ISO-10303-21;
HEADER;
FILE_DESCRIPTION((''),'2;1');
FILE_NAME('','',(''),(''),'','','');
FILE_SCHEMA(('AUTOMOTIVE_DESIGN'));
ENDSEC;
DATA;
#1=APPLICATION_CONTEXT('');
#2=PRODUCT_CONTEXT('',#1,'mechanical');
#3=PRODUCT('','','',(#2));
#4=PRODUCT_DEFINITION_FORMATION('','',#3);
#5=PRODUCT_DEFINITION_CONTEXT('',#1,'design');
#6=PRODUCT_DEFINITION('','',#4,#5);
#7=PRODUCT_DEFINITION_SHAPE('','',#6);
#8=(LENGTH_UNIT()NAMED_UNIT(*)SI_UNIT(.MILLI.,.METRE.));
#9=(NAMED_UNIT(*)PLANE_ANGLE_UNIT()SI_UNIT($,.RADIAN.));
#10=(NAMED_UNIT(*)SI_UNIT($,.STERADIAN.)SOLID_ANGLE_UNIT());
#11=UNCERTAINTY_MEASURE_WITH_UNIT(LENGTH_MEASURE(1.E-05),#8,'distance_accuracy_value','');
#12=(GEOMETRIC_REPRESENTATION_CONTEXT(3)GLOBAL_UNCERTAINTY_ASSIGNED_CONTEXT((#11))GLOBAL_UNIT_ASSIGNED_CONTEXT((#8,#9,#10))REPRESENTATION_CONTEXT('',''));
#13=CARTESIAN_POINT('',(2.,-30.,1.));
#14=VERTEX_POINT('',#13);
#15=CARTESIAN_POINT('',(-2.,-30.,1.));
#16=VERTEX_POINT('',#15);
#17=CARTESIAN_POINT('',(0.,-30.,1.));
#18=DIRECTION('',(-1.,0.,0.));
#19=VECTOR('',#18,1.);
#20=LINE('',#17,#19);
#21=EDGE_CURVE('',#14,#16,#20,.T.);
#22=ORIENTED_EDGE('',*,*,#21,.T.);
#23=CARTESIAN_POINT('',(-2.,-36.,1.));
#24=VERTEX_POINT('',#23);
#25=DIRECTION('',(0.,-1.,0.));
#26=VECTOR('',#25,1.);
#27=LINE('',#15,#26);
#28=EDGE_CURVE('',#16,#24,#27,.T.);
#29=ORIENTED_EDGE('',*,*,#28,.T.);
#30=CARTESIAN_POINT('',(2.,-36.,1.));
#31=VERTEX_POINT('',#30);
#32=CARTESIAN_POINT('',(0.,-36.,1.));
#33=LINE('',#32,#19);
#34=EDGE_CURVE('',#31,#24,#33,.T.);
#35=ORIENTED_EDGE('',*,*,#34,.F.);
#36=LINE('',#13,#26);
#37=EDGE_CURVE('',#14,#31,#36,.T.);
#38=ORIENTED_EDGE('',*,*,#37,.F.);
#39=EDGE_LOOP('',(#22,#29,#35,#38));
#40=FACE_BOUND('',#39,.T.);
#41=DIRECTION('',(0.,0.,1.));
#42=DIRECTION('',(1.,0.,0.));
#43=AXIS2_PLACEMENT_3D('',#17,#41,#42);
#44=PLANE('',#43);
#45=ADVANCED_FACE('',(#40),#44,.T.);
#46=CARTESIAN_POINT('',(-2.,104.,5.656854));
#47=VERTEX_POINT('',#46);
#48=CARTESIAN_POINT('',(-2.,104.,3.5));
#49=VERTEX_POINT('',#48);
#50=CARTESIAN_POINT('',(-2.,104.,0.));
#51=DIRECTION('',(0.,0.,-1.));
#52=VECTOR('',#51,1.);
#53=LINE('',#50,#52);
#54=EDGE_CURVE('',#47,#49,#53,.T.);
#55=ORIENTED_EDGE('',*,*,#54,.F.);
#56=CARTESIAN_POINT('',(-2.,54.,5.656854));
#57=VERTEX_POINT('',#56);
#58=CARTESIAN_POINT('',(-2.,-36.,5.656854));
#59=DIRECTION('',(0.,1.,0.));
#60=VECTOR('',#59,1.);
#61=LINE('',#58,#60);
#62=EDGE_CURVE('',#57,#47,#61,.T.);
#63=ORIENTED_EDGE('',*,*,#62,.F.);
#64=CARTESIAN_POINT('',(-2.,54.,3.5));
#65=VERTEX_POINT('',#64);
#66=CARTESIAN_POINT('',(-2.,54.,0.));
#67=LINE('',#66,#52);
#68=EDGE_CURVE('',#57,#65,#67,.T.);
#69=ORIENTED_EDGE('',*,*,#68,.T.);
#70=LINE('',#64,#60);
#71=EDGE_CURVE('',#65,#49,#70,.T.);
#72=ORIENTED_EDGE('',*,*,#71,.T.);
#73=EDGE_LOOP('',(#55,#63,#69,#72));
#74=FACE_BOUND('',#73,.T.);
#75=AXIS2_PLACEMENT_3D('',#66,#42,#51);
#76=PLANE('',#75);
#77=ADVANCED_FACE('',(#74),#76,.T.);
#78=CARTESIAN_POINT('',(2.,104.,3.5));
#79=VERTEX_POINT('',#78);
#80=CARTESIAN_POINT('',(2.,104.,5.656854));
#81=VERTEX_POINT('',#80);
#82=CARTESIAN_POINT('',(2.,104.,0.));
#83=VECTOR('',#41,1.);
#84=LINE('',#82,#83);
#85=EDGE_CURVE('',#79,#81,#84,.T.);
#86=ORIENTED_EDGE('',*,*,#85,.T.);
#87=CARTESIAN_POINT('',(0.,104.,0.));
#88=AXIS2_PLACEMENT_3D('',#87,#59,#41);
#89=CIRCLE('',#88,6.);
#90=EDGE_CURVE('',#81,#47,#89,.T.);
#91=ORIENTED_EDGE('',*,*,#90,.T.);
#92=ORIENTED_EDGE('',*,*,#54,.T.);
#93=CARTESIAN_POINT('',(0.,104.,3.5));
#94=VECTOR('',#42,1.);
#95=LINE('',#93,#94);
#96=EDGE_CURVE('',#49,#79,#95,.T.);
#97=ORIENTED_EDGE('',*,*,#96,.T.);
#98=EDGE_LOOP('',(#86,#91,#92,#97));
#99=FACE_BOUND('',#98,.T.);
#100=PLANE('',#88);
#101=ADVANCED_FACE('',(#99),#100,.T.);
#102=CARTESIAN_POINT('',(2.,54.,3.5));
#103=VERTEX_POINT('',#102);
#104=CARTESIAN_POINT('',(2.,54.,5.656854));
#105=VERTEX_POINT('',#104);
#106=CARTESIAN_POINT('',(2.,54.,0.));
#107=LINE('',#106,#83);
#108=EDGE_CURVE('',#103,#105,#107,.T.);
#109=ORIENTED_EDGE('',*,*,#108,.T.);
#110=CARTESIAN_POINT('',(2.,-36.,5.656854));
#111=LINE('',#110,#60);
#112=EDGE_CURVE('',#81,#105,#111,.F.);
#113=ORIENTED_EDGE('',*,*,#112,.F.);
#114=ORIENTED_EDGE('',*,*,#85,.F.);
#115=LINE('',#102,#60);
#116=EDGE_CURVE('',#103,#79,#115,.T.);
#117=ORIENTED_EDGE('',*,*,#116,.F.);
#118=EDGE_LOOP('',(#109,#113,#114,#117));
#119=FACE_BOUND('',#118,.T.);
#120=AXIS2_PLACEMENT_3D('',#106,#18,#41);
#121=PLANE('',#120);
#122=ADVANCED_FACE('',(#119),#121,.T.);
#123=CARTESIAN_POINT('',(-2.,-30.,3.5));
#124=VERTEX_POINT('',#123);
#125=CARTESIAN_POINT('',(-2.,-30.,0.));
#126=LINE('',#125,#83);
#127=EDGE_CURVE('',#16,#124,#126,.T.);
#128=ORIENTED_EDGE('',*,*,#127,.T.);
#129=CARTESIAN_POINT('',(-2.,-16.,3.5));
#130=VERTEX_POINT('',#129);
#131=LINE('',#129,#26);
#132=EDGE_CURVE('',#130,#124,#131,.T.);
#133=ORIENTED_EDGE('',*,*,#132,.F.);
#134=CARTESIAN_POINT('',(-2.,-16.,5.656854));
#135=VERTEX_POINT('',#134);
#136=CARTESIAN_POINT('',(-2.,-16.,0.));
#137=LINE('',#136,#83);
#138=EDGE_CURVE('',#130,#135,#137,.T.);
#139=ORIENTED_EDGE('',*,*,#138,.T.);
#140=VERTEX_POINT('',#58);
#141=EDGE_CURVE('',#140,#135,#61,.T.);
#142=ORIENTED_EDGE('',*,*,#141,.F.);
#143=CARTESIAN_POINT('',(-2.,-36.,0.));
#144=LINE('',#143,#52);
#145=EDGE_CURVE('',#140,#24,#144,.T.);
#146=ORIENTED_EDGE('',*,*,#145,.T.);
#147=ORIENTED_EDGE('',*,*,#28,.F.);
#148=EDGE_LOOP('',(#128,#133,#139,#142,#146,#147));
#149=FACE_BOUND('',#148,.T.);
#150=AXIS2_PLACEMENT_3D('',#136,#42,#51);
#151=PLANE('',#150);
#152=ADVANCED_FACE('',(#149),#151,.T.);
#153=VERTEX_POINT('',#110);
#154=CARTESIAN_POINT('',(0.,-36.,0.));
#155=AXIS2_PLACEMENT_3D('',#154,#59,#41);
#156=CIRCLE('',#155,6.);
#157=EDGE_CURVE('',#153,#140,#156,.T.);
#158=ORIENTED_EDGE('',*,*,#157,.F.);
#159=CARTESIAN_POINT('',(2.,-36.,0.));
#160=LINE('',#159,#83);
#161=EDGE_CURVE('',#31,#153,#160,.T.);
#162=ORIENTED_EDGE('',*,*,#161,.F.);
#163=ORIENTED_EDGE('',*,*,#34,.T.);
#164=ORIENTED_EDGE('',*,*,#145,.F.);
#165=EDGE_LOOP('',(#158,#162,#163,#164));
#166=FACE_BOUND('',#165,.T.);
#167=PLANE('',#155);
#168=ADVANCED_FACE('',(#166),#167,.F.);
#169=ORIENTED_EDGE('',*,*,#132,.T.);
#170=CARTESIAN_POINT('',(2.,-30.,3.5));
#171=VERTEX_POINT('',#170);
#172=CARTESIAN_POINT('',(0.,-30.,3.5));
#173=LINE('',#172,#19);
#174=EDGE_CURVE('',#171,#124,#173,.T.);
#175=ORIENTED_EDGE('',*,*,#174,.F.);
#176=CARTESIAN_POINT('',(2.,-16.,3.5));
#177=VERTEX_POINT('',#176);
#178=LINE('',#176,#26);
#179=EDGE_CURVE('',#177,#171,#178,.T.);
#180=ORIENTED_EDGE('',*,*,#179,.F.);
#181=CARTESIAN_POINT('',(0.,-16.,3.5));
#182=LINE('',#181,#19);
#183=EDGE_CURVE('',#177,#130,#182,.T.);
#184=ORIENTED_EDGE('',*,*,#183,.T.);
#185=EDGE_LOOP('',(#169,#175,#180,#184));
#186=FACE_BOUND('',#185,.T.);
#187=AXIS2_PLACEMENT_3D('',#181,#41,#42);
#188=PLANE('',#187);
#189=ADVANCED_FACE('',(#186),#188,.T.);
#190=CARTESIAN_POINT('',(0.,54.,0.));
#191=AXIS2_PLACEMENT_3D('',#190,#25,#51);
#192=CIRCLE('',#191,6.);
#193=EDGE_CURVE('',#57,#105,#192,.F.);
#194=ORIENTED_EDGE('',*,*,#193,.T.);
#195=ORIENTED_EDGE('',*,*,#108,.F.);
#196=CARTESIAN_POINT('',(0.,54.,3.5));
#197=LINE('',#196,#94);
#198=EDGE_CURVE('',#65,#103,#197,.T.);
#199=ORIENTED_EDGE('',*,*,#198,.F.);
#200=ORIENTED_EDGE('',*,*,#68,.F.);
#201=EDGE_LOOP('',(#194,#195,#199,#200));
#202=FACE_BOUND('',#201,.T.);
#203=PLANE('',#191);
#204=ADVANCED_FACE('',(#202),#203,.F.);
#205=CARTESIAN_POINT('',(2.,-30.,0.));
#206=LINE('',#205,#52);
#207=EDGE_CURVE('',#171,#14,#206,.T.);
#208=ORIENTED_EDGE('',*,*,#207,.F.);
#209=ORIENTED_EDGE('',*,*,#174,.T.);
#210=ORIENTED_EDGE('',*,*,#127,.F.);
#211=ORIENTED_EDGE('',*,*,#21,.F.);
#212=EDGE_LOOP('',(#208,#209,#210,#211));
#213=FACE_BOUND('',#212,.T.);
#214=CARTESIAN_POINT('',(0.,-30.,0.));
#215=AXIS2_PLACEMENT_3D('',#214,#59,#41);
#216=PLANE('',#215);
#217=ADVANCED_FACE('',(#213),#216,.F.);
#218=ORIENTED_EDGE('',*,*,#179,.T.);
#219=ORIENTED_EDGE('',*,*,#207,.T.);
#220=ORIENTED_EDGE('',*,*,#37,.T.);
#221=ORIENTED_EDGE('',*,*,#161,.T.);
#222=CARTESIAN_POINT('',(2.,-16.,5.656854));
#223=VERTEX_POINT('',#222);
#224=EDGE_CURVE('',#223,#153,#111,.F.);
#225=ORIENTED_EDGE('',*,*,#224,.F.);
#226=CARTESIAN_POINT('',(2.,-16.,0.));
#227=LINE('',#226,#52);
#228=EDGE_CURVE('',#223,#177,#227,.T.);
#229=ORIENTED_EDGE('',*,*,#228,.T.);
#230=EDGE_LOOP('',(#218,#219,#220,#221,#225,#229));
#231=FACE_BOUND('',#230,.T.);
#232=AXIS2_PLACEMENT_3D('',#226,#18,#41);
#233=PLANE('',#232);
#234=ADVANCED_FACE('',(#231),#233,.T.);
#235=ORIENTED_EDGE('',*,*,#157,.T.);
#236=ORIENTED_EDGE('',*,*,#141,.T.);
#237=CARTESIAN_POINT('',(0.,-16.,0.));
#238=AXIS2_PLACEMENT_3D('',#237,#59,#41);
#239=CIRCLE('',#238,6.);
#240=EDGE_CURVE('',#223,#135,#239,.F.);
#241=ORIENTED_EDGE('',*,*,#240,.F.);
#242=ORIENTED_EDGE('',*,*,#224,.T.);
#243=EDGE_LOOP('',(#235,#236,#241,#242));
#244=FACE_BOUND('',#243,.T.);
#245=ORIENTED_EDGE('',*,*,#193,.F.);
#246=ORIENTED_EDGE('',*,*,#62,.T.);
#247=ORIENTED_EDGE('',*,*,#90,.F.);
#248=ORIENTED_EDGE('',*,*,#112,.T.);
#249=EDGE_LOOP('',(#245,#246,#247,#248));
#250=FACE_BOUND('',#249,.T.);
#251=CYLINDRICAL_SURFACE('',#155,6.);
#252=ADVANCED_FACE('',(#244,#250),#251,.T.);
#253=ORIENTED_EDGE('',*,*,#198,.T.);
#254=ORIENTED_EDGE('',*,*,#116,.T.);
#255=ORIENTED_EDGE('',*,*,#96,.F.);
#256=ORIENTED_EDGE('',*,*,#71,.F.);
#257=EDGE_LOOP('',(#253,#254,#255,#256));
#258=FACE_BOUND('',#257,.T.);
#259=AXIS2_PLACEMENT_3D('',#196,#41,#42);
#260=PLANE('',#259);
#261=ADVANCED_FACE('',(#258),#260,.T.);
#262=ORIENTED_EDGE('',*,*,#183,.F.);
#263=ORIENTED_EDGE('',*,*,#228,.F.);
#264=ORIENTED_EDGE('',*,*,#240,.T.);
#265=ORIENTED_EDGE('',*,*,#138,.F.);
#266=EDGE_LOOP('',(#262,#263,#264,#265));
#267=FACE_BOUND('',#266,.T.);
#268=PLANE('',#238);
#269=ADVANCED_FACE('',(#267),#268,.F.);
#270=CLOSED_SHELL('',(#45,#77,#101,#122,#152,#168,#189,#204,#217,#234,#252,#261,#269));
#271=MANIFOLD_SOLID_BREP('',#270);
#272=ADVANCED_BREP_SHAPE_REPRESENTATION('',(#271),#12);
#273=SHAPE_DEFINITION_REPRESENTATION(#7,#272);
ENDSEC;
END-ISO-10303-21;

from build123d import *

# Parameters (mm, degrees)
SKETCH1_R                = 6
BOSS_EXTRUDE1_DEPTH      = 104
BOSS_EXTRUDE1_DEPTH_BACK = 36
CUT_EXTRUDE3_START       = -36
SKETCH2_W                = 4
SKETCH2_H                = 5
CUT_EXTRUDE3_DEPTH       = 20
CUT_EXTRUDE3_DEPTH_BACK  = 0.0001
CUT_EXTRUDE4_START       = 104
SKETCH2_2_W              = 4
SKETCH2_2_H              = 5
CUT_EXTRUDE4_DEPTH       = 50
CUT_EXTRUDE6_START       = -36
SKETCH3_W                = 4
SKETCH3_H                = 10
CUT_EXTRUDE6_DEPTH       = 6


with BuildPart() as part:
    # Sketch1 → Boss-Extrude1 (new body, two sides)
    with BuildSketch(Plane(origin=(0, 0, 0), x_dir=(1, 0, 0), z_dir=(0, 1, 0))) as boss_extrude1_sk:
        Circle(SKETCH1_R)
    extrude(amount=BOSS_EXTRUDE1_DEPTH)
    extrude(boss_extrude1_sk.sketch, amount=-BOSS_EXTRUDE1_DEPTH_BACK)

    # Sketch2 → Cut-Extrude3 (cut, two sides)
    with BuildSketch(Plane(origin=(0, 0, 0), x_dir=(1, 0, 0), z_dir=(0, 1, 0)).offset(CUT_EXTRUDE3_START)) as cut_extrude3_sk:
        with Locations((0, -6)):
            Rectangle(SKETCH2_W, SKETCH2_H)
    extrude(amount=CUT_EXTRUDE3_DEPTH, mode=Mode.SUBTRACT)
    extrude(cut_extrude3_sk.sketch, amount=-CUT_EXTRUDE3_DEPTH_BACK, mode=Mode.SUBTRACT)

    # Sketch2<2> → Cut-Extrude4 (cut)
    with BuildSketch(Plane(origin=(0, 0, 0), x_dir=(1, 0, 0), z_dir=(0, 1, 0)).offset(CUT_EXTRUDE4_START)):
        with Locations((0, -6)):
            Rectangle(SKETCH2_2_W, SKETCH2_2_H)
    extrude(amount=-CUT_EXTRUDE4_DEPTH, mode=Mode.SUBTRACT)

    # Sketch3 → Cut-Extrude6 (cut)
    with BuildSketch(Plane(origin=(0, 0, 0), x_dir=(1, 0, 0), z_dir=(0, 1, 0)).offset(CUT_EXTRUDE6_START)):
        with Locations((0, -6)):
            Rectangle(SKETCH3_W, SKETCH3_H)
    extrude(amount=CUT_EXTRUDE6_DEPTH, mode=Mode.SUBTRACT)


solid = part.part
